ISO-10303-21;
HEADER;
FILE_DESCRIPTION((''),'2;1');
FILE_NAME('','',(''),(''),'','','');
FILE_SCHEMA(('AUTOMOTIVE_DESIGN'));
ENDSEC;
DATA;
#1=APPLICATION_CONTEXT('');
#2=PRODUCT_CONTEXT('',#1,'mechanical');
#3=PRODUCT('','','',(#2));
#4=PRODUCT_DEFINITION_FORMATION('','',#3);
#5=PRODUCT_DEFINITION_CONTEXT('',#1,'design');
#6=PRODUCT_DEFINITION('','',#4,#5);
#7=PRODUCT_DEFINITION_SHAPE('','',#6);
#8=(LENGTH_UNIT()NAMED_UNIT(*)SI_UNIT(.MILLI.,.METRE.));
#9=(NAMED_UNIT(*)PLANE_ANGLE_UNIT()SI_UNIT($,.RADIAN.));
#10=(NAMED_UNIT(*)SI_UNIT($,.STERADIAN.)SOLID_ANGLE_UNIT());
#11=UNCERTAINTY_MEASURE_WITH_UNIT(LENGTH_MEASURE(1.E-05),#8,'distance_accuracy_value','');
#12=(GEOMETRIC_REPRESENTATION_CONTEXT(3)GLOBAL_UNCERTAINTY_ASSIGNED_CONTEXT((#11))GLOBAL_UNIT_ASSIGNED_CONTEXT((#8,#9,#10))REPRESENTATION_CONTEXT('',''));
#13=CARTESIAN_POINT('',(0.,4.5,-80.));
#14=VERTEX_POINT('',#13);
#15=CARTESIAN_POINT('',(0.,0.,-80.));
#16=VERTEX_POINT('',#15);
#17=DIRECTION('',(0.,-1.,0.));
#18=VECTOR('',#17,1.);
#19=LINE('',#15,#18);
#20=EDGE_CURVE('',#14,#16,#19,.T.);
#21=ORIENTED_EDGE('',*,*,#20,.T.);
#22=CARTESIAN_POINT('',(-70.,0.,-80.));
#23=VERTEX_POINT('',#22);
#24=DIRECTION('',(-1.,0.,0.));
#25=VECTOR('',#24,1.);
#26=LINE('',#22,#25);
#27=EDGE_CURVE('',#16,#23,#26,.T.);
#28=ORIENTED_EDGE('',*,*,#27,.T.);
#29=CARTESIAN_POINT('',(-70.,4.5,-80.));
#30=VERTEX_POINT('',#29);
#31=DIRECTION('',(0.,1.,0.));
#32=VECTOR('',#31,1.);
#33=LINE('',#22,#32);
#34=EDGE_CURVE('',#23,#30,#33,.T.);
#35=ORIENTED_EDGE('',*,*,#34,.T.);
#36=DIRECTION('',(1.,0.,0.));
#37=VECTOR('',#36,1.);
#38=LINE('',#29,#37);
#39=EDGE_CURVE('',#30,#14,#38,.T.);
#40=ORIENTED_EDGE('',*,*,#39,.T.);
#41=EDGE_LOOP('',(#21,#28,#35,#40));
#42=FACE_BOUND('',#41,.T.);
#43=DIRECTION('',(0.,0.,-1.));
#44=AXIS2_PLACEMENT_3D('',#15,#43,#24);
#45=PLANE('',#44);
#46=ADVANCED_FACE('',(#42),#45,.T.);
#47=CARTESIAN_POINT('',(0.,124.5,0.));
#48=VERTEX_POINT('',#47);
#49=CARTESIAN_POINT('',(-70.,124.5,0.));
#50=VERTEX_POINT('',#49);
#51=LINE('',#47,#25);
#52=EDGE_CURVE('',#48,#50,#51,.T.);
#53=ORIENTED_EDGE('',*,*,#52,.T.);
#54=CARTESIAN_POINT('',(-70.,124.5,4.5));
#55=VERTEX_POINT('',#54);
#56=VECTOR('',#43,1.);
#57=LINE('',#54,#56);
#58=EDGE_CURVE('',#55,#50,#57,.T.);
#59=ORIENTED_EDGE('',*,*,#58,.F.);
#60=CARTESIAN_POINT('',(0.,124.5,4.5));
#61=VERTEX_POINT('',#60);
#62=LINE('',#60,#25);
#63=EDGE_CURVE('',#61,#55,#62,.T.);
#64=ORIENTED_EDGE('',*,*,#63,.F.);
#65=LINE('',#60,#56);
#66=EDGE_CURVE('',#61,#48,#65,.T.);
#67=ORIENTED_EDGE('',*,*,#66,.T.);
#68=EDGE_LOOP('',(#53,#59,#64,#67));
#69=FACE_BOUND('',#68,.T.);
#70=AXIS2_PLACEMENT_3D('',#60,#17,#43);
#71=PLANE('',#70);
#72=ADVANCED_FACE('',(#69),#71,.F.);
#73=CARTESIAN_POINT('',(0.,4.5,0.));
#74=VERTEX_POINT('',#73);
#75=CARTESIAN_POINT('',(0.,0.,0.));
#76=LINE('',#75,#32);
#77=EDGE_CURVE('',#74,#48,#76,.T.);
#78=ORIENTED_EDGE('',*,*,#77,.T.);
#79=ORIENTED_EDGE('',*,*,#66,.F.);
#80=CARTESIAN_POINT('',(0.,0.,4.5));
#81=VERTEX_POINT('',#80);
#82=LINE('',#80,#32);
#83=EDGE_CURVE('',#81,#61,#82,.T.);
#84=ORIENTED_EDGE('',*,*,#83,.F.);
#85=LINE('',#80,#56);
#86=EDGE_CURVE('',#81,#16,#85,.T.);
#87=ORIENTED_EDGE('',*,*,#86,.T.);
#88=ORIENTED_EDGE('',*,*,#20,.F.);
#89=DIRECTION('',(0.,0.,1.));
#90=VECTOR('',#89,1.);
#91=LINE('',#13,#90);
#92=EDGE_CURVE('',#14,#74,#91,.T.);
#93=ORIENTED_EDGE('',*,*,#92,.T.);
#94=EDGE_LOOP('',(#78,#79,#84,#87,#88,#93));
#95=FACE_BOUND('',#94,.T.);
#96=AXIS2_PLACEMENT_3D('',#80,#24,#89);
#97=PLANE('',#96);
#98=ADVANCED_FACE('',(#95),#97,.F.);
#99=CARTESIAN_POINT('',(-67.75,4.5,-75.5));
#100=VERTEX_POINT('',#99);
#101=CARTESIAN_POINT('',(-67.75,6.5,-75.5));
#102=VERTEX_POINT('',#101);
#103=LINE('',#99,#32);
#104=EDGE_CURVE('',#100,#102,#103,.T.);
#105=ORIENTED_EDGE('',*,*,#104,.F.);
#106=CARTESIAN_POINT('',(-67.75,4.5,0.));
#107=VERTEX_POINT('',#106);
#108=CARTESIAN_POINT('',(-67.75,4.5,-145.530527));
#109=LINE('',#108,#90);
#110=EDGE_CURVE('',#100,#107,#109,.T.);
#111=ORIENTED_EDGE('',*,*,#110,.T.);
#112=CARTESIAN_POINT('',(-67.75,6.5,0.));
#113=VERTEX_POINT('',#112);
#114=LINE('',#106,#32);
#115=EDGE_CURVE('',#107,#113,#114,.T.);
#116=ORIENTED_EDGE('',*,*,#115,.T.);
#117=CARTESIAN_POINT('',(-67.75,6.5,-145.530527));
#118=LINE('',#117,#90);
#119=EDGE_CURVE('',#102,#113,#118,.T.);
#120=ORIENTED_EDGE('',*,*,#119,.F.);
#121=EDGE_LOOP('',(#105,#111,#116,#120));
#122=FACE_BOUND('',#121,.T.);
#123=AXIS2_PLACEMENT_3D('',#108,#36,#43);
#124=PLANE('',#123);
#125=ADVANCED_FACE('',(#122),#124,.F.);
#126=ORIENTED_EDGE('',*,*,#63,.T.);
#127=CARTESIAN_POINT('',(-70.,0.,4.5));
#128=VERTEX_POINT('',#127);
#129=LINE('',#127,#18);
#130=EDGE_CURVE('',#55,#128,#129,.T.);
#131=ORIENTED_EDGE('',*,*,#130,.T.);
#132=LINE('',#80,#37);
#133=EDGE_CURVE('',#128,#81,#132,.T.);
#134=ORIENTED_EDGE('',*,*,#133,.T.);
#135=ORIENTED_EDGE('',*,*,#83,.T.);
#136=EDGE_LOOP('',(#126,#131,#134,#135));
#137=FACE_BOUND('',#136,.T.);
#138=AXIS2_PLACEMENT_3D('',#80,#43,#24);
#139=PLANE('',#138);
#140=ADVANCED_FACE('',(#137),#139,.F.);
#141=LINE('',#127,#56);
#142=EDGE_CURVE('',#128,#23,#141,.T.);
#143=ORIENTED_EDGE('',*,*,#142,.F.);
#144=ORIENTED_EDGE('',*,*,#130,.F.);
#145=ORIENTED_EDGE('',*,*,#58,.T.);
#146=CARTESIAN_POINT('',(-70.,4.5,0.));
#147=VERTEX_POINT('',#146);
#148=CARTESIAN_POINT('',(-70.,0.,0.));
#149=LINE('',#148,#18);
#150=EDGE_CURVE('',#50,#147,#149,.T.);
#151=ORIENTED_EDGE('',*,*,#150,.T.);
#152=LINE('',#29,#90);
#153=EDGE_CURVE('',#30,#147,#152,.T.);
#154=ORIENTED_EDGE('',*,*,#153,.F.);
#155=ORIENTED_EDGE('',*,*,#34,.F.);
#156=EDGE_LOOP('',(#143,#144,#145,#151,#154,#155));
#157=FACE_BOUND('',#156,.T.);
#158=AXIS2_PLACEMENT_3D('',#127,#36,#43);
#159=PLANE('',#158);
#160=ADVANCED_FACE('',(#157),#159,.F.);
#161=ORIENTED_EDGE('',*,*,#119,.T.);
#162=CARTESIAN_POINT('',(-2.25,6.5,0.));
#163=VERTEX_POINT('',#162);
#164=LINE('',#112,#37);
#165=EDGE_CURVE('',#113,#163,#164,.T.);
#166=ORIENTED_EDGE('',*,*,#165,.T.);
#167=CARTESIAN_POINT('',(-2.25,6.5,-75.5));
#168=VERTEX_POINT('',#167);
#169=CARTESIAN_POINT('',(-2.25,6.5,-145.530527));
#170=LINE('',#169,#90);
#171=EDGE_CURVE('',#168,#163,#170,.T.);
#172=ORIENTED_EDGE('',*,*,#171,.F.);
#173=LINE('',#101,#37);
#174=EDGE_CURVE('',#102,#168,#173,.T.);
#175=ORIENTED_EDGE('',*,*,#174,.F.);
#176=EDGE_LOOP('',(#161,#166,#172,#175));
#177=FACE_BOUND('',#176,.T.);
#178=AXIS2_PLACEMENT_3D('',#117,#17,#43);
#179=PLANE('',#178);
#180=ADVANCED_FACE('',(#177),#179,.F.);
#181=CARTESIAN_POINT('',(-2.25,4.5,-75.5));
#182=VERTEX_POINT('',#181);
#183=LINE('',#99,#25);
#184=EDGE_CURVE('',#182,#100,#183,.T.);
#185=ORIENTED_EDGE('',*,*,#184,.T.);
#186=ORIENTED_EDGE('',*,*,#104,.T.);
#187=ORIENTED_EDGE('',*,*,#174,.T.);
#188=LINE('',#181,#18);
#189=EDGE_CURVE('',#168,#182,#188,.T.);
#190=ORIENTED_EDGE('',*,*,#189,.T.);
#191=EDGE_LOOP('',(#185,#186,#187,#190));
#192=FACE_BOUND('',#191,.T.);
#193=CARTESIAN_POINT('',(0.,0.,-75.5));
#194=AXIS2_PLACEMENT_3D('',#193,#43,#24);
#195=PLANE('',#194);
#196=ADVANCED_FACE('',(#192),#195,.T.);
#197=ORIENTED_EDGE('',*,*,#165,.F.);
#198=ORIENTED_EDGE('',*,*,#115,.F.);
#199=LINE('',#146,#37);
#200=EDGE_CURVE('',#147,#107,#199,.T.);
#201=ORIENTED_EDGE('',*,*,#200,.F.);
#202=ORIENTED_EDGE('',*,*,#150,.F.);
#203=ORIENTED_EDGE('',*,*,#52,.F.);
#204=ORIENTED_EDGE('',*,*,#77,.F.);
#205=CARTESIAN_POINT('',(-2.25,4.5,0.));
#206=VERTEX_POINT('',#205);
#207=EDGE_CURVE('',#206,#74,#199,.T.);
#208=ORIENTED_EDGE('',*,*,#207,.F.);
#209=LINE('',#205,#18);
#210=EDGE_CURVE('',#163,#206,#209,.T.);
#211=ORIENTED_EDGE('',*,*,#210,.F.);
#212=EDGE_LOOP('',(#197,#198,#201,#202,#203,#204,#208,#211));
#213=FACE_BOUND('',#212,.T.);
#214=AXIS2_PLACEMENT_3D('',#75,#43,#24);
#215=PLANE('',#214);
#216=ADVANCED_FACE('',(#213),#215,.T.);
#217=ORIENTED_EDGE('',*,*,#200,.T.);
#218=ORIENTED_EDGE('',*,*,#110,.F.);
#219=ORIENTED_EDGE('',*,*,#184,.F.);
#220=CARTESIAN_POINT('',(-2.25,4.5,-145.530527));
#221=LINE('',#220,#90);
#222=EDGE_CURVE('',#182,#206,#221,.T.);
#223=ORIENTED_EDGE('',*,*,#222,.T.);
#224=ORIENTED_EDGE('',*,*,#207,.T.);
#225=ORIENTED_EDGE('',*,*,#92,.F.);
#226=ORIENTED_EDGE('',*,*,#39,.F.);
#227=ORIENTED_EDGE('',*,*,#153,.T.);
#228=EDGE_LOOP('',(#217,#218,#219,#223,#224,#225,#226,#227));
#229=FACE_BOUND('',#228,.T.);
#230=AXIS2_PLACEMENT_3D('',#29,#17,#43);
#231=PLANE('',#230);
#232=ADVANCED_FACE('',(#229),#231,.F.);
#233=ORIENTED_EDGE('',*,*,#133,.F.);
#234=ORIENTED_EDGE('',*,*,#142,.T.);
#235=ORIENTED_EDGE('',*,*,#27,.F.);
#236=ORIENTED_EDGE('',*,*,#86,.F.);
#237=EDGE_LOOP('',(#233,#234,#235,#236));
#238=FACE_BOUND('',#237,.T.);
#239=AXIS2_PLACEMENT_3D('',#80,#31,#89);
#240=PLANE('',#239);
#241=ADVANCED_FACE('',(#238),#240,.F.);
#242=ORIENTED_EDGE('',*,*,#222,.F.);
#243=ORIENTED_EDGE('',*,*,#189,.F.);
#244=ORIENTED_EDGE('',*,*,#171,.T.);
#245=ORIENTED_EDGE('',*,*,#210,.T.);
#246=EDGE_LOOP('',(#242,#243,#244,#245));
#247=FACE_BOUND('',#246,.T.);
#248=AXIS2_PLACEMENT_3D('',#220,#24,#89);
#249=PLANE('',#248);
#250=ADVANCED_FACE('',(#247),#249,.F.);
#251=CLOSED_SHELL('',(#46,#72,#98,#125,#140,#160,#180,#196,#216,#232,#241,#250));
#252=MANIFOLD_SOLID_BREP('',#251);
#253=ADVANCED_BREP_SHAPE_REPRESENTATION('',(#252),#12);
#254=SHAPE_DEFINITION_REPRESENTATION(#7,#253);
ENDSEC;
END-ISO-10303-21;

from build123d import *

# Parameters (mm, degrees)
SKETCH1_W           = 124.5
SKETCH1_H           = 70
BOSS_EXTRUDE1_DEPTH = 4.5
SKETCH2_W           = 70
SKETCH2_H           = 4.5
BOSS_EXTRUDE2_DEPTH = 80
SKETCH3_W           = 65.5
SKETCH3_H           = 2
BOSS_EXTRUDE3_DEPTH = 75.5


with BuildPart() as part:
    # Sketch1 → Boss-Extrude1 (new body)
    with BuildSketch(Plane(origin=(0, 0, 0), x_dir=(0, 1, 0), z_dir=(0, 0, 1))):
        with Locations((62.25, 35)):
            Rectangle(SKETCH1_W, SKETCH1_H)
    extrude(amount=BOSS_EXTRUDE1_DEPTH)

    # Sketch2 → Boss-Extrude2 (add)
    with BuildSketch(Plane(origin=(0, 0, 0), x_dir=(1, 0, 0), z_dir=(0, 0, -1))):
        with Locations((-35, -2.25)):
            Rectangle(SKETCH2_W, SKETCH2_H)
    extrude(amount=BOSS_EXTRUDE2_DEPTH)

    # Sketch3 → Boss-Extrude3 (add)
    with BuildSketch(Plane(origin=(0, 0, 0), x_dir=(1, 0, 0), z_dir=(0, 0, -1))):
        with Locations((-35, -5.5)):
            Rectangle(SKETCH3_W, SKETCH3_H)
    extrude(amount=BOSS_EXTRUDE3_DEPTH)


solid = part.part
